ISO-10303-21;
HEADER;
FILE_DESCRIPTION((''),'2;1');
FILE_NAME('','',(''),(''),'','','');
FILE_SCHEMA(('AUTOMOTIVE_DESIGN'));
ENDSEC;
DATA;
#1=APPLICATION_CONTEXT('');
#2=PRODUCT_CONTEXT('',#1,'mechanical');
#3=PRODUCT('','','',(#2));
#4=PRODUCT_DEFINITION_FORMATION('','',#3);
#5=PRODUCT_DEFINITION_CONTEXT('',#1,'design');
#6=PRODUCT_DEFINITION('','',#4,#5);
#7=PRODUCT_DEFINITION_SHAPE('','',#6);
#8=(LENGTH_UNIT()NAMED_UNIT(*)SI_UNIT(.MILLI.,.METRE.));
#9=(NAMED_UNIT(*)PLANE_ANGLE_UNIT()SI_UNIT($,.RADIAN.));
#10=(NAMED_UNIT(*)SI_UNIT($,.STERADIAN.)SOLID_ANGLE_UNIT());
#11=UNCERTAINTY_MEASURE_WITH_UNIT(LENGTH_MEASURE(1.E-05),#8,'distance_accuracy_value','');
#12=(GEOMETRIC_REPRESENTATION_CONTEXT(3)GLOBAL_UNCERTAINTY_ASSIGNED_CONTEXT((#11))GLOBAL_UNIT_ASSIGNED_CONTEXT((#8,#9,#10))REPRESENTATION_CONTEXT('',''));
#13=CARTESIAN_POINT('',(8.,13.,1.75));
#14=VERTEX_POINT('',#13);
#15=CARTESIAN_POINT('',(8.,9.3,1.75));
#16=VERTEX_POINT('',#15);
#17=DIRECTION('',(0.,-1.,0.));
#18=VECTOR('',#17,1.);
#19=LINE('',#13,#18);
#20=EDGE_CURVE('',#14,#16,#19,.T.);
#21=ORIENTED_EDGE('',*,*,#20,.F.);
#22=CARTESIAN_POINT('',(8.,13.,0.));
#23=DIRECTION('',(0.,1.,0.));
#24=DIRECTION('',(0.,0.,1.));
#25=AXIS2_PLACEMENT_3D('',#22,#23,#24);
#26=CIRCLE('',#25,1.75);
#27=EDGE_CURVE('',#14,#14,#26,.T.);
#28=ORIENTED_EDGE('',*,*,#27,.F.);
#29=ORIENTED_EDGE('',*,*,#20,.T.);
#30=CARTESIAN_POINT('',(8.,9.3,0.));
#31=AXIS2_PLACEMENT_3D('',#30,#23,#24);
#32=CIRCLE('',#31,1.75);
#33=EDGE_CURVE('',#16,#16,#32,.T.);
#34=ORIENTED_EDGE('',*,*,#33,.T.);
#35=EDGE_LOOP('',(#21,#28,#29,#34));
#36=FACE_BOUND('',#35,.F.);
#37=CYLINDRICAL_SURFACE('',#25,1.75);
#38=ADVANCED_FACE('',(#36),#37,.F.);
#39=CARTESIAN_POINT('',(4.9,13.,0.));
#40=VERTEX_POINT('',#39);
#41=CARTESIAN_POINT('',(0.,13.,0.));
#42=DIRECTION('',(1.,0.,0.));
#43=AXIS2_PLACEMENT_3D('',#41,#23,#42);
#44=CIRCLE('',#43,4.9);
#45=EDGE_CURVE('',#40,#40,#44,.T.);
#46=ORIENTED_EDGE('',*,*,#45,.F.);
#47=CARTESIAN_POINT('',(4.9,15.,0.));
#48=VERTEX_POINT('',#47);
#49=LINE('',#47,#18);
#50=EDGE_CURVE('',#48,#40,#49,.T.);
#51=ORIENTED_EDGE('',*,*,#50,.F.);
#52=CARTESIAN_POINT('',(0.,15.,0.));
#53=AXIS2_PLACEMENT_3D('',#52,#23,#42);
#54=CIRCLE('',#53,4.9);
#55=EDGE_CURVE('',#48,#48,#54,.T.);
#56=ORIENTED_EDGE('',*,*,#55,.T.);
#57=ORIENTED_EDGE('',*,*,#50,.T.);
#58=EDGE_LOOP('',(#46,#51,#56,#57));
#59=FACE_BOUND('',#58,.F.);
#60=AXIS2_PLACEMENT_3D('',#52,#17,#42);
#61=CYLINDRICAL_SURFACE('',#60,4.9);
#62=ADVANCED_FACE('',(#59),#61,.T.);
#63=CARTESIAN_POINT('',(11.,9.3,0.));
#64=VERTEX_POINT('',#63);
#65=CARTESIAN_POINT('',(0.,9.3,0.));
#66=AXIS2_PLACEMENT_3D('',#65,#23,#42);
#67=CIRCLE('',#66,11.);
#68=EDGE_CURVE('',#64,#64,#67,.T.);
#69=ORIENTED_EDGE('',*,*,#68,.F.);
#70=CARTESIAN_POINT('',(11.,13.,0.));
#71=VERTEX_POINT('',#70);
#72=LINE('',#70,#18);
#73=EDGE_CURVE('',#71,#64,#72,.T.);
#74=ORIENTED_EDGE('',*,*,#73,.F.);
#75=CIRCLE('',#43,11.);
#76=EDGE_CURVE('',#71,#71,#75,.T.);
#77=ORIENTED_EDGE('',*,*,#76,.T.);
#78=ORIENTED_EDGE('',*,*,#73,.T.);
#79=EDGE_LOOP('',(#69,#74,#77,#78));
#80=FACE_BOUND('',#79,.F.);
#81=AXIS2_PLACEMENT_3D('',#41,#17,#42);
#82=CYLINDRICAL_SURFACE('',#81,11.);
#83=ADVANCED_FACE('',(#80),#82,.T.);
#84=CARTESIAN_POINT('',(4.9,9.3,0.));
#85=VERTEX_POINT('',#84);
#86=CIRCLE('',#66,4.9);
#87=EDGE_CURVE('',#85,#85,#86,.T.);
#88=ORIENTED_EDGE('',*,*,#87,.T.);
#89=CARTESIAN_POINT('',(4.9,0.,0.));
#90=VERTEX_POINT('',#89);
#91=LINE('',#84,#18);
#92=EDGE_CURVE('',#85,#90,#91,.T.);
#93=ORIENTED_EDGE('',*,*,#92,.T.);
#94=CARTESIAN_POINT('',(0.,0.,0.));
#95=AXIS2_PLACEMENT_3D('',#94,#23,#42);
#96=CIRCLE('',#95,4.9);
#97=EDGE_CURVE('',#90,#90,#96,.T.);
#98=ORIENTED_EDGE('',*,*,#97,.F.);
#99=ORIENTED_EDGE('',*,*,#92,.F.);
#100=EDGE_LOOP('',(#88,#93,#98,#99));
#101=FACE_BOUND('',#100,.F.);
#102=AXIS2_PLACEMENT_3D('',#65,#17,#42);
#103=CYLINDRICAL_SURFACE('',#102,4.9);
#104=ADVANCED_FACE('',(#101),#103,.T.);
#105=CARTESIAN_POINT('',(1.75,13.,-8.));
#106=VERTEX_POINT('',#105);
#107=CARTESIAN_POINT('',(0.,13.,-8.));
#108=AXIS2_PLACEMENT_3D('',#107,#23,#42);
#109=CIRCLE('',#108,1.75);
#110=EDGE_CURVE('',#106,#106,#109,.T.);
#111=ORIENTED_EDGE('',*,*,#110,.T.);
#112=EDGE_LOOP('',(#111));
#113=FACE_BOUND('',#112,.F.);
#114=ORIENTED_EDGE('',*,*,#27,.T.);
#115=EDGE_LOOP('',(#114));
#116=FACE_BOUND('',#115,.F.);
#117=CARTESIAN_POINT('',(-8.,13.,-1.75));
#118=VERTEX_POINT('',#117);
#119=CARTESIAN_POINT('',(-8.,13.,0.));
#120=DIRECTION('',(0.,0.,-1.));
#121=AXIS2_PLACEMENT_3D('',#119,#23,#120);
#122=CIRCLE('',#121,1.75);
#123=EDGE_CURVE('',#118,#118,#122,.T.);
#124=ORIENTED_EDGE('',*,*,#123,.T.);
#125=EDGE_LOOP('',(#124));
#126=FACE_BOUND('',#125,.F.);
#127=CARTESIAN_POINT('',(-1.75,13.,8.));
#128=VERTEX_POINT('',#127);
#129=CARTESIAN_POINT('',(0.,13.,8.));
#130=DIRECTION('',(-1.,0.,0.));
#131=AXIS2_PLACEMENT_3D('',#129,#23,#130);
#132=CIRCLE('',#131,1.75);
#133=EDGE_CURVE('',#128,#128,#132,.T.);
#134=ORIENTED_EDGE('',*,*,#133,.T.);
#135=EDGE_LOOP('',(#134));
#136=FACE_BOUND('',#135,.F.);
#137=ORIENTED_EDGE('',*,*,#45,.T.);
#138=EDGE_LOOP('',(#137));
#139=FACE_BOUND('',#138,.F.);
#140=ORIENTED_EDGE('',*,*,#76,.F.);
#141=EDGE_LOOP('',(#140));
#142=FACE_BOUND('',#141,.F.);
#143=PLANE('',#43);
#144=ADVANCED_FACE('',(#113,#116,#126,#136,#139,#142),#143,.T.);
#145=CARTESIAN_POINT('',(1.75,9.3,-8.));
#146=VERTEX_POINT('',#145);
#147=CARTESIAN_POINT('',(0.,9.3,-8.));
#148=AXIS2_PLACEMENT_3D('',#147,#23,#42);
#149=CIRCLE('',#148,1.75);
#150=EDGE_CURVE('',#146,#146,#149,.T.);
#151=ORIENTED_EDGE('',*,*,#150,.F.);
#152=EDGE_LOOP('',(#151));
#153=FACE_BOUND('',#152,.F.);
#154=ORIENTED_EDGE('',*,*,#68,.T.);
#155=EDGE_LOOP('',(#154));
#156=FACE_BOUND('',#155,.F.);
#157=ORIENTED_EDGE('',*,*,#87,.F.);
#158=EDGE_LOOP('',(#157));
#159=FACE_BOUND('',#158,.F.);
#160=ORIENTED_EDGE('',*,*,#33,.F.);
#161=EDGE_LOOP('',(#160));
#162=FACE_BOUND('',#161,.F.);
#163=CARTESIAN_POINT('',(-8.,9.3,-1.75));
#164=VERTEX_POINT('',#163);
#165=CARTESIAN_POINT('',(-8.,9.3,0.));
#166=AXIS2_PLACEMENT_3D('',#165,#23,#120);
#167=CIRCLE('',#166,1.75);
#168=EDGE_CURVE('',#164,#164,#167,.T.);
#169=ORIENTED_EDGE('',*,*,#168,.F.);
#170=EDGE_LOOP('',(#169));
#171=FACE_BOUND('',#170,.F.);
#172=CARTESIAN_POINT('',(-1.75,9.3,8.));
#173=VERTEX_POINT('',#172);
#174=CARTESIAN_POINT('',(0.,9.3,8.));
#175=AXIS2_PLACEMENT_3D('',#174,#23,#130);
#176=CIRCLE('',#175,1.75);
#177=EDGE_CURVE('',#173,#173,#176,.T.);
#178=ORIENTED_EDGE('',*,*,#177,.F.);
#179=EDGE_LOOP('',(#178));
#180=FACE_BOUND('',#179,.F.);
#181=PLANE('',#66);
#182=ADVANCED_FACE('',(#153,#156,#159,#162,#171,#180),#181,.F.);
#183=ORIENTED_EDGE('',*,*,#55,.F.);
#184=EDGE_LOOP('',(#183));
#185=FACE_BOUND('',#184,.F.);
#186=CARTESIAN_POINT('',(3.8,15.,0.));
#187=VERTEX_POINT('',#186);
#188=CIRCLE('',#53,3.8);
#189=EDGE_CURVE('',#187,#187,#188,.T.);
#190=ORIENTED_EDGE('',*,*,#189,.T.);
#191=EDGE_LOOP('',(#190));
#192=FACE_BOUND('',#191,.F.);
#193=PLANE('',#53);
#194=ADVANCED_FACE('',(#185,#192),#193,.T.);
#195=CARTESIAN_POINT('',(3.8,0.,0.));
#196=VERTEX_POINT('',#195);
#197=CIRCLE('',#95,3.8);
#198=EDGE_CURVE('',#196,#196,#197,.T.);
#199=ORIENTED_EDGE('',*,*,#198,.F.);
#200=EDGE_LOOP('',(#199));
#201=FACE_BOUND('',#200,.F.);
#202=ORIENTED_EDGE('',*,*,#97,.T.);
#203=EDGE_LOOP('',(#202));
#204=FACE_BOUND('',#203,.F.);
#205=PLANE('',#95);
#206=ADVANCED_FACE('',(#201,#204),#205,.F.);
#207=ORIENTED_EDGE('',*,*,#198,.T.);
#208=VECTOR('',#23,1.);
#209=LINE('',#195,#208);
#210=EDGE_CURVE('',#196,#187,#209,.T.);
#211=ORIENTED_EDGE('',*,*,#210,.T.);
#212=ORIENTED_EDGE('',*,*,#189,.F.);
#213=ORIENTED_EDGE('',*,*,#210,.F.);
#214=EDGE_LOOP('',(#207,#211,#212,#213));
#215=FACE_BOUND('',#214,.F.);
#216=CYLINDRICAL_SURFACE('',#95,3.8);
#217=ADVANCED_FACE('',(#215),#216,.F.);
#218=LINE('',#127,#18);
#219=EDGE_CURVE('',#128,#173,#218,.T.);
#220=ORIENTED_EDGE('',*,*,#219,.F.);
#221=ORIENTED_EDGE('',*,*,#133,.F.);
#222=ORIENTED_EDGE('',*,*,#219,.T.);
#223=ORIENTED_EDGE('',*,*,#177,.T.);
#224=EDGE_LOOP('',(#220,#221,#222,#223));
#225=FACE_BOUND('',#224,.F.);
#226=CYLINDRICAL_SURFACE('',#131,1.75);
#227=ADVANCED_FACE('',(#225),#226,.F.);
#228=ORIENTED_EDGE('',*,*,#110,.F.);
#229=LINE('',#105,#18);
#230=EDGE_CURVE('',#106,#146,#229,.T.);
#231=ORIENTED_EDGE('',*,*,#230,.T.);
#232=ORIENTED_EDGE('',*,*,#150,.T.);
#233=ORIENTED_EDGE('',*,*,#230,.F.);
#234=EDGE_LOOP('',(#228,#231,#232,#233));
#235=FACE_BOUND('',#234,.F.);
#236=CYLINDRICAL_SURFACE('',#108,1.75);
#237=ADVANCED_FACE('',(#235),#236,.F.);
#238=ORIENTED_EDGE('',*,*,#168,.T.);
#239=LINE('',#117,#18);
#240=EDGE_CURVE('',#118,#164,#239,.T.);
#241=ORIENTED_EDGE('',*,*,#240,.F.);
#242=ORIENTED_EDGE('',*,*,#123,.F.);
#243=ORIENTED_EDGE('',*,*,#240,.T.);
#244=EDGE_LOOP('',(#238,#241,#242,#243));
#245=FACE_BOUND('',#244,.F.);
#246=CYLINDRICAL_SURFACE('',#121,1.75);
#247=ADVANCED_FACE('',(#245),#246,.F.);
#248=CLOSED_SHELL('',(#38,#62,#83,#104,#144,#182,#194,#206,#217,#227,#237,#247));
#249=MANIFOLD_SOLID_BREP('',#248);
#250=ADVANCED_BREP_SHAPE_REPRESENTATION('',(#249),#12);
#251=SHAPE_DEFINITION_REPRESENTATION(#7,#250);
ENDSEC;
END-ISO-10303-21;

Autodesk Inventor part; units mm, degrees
ref_plane "YZ Plane" through (0, 0, 0) normal (1, 0, 0) x (0, 1, 0)
ref_plane "XZ Plane" through (0, 0, 0) normal (0, 1, 0) x (-1, 0, 0)
ref_plane "XY Plane" through (0, 0, 0) normal (0, 0, 1) x (1, 0, 0)
sketch "Sketch1" plane through (0, 0, 0) normal (0, 0, 1) x (1, 0, 0)
  line L0 (3.8, 0) -> (3.8, 15)
  line L1 (3.8, 15) -> (4.9, 15)
  line L2 (4.9, 15) -> (4.9, 13)
  line L3 (4.9, 13) -> (11, 13)
  line L4 (11, 13) -> (11, 9.3)
  line L5 (11, 9.3) -> (4.9, 9.3)
  line L6 (4.9, 9.3) -> (4.9, 0)
  line L7 (4.9, 0) -> (3.8, 0)
  line L8 (-2.2, 0) -> (13.2, 0) projected
  line L9 (0, -3) -> (0, 18) projected
  point P0 (0, 0)
  point P1 (4.35, 0)
  point P2 (4.35, 15)
  point P3 (11, 11.15)
  dimension "d0" = 3.7
  dimension "d1" = 15
  dimension "d2" = 2
  dimension "d3" = 11
  dimension "d4" = 6.1
  dimension "d5" = 3.8
revolve "Revolution1" add sketch "Sketch1" angle 360 about axis through (0, -10, 0) along (0, 1, 0)
sketch "Sketch2" plane through (0, 13, 0) normal (0, 1, 0) x (1, 0, 0)
  circle A0 centre (0, 8) radius 1.75
  point P0 (0, 0)
  dimension "d7" = 3.5
  dimension "d8" = 8
extrude "Extrusion1" cut sketch "Sketch2" against normal up to surface (3.7 mm away)
pattern_circular "Circular Pattern1" count 4 over 360 about axis through (0, 11.15, 0) along (0, 1, 0) of "Extrusion1"
properties part number "Lead nut"
